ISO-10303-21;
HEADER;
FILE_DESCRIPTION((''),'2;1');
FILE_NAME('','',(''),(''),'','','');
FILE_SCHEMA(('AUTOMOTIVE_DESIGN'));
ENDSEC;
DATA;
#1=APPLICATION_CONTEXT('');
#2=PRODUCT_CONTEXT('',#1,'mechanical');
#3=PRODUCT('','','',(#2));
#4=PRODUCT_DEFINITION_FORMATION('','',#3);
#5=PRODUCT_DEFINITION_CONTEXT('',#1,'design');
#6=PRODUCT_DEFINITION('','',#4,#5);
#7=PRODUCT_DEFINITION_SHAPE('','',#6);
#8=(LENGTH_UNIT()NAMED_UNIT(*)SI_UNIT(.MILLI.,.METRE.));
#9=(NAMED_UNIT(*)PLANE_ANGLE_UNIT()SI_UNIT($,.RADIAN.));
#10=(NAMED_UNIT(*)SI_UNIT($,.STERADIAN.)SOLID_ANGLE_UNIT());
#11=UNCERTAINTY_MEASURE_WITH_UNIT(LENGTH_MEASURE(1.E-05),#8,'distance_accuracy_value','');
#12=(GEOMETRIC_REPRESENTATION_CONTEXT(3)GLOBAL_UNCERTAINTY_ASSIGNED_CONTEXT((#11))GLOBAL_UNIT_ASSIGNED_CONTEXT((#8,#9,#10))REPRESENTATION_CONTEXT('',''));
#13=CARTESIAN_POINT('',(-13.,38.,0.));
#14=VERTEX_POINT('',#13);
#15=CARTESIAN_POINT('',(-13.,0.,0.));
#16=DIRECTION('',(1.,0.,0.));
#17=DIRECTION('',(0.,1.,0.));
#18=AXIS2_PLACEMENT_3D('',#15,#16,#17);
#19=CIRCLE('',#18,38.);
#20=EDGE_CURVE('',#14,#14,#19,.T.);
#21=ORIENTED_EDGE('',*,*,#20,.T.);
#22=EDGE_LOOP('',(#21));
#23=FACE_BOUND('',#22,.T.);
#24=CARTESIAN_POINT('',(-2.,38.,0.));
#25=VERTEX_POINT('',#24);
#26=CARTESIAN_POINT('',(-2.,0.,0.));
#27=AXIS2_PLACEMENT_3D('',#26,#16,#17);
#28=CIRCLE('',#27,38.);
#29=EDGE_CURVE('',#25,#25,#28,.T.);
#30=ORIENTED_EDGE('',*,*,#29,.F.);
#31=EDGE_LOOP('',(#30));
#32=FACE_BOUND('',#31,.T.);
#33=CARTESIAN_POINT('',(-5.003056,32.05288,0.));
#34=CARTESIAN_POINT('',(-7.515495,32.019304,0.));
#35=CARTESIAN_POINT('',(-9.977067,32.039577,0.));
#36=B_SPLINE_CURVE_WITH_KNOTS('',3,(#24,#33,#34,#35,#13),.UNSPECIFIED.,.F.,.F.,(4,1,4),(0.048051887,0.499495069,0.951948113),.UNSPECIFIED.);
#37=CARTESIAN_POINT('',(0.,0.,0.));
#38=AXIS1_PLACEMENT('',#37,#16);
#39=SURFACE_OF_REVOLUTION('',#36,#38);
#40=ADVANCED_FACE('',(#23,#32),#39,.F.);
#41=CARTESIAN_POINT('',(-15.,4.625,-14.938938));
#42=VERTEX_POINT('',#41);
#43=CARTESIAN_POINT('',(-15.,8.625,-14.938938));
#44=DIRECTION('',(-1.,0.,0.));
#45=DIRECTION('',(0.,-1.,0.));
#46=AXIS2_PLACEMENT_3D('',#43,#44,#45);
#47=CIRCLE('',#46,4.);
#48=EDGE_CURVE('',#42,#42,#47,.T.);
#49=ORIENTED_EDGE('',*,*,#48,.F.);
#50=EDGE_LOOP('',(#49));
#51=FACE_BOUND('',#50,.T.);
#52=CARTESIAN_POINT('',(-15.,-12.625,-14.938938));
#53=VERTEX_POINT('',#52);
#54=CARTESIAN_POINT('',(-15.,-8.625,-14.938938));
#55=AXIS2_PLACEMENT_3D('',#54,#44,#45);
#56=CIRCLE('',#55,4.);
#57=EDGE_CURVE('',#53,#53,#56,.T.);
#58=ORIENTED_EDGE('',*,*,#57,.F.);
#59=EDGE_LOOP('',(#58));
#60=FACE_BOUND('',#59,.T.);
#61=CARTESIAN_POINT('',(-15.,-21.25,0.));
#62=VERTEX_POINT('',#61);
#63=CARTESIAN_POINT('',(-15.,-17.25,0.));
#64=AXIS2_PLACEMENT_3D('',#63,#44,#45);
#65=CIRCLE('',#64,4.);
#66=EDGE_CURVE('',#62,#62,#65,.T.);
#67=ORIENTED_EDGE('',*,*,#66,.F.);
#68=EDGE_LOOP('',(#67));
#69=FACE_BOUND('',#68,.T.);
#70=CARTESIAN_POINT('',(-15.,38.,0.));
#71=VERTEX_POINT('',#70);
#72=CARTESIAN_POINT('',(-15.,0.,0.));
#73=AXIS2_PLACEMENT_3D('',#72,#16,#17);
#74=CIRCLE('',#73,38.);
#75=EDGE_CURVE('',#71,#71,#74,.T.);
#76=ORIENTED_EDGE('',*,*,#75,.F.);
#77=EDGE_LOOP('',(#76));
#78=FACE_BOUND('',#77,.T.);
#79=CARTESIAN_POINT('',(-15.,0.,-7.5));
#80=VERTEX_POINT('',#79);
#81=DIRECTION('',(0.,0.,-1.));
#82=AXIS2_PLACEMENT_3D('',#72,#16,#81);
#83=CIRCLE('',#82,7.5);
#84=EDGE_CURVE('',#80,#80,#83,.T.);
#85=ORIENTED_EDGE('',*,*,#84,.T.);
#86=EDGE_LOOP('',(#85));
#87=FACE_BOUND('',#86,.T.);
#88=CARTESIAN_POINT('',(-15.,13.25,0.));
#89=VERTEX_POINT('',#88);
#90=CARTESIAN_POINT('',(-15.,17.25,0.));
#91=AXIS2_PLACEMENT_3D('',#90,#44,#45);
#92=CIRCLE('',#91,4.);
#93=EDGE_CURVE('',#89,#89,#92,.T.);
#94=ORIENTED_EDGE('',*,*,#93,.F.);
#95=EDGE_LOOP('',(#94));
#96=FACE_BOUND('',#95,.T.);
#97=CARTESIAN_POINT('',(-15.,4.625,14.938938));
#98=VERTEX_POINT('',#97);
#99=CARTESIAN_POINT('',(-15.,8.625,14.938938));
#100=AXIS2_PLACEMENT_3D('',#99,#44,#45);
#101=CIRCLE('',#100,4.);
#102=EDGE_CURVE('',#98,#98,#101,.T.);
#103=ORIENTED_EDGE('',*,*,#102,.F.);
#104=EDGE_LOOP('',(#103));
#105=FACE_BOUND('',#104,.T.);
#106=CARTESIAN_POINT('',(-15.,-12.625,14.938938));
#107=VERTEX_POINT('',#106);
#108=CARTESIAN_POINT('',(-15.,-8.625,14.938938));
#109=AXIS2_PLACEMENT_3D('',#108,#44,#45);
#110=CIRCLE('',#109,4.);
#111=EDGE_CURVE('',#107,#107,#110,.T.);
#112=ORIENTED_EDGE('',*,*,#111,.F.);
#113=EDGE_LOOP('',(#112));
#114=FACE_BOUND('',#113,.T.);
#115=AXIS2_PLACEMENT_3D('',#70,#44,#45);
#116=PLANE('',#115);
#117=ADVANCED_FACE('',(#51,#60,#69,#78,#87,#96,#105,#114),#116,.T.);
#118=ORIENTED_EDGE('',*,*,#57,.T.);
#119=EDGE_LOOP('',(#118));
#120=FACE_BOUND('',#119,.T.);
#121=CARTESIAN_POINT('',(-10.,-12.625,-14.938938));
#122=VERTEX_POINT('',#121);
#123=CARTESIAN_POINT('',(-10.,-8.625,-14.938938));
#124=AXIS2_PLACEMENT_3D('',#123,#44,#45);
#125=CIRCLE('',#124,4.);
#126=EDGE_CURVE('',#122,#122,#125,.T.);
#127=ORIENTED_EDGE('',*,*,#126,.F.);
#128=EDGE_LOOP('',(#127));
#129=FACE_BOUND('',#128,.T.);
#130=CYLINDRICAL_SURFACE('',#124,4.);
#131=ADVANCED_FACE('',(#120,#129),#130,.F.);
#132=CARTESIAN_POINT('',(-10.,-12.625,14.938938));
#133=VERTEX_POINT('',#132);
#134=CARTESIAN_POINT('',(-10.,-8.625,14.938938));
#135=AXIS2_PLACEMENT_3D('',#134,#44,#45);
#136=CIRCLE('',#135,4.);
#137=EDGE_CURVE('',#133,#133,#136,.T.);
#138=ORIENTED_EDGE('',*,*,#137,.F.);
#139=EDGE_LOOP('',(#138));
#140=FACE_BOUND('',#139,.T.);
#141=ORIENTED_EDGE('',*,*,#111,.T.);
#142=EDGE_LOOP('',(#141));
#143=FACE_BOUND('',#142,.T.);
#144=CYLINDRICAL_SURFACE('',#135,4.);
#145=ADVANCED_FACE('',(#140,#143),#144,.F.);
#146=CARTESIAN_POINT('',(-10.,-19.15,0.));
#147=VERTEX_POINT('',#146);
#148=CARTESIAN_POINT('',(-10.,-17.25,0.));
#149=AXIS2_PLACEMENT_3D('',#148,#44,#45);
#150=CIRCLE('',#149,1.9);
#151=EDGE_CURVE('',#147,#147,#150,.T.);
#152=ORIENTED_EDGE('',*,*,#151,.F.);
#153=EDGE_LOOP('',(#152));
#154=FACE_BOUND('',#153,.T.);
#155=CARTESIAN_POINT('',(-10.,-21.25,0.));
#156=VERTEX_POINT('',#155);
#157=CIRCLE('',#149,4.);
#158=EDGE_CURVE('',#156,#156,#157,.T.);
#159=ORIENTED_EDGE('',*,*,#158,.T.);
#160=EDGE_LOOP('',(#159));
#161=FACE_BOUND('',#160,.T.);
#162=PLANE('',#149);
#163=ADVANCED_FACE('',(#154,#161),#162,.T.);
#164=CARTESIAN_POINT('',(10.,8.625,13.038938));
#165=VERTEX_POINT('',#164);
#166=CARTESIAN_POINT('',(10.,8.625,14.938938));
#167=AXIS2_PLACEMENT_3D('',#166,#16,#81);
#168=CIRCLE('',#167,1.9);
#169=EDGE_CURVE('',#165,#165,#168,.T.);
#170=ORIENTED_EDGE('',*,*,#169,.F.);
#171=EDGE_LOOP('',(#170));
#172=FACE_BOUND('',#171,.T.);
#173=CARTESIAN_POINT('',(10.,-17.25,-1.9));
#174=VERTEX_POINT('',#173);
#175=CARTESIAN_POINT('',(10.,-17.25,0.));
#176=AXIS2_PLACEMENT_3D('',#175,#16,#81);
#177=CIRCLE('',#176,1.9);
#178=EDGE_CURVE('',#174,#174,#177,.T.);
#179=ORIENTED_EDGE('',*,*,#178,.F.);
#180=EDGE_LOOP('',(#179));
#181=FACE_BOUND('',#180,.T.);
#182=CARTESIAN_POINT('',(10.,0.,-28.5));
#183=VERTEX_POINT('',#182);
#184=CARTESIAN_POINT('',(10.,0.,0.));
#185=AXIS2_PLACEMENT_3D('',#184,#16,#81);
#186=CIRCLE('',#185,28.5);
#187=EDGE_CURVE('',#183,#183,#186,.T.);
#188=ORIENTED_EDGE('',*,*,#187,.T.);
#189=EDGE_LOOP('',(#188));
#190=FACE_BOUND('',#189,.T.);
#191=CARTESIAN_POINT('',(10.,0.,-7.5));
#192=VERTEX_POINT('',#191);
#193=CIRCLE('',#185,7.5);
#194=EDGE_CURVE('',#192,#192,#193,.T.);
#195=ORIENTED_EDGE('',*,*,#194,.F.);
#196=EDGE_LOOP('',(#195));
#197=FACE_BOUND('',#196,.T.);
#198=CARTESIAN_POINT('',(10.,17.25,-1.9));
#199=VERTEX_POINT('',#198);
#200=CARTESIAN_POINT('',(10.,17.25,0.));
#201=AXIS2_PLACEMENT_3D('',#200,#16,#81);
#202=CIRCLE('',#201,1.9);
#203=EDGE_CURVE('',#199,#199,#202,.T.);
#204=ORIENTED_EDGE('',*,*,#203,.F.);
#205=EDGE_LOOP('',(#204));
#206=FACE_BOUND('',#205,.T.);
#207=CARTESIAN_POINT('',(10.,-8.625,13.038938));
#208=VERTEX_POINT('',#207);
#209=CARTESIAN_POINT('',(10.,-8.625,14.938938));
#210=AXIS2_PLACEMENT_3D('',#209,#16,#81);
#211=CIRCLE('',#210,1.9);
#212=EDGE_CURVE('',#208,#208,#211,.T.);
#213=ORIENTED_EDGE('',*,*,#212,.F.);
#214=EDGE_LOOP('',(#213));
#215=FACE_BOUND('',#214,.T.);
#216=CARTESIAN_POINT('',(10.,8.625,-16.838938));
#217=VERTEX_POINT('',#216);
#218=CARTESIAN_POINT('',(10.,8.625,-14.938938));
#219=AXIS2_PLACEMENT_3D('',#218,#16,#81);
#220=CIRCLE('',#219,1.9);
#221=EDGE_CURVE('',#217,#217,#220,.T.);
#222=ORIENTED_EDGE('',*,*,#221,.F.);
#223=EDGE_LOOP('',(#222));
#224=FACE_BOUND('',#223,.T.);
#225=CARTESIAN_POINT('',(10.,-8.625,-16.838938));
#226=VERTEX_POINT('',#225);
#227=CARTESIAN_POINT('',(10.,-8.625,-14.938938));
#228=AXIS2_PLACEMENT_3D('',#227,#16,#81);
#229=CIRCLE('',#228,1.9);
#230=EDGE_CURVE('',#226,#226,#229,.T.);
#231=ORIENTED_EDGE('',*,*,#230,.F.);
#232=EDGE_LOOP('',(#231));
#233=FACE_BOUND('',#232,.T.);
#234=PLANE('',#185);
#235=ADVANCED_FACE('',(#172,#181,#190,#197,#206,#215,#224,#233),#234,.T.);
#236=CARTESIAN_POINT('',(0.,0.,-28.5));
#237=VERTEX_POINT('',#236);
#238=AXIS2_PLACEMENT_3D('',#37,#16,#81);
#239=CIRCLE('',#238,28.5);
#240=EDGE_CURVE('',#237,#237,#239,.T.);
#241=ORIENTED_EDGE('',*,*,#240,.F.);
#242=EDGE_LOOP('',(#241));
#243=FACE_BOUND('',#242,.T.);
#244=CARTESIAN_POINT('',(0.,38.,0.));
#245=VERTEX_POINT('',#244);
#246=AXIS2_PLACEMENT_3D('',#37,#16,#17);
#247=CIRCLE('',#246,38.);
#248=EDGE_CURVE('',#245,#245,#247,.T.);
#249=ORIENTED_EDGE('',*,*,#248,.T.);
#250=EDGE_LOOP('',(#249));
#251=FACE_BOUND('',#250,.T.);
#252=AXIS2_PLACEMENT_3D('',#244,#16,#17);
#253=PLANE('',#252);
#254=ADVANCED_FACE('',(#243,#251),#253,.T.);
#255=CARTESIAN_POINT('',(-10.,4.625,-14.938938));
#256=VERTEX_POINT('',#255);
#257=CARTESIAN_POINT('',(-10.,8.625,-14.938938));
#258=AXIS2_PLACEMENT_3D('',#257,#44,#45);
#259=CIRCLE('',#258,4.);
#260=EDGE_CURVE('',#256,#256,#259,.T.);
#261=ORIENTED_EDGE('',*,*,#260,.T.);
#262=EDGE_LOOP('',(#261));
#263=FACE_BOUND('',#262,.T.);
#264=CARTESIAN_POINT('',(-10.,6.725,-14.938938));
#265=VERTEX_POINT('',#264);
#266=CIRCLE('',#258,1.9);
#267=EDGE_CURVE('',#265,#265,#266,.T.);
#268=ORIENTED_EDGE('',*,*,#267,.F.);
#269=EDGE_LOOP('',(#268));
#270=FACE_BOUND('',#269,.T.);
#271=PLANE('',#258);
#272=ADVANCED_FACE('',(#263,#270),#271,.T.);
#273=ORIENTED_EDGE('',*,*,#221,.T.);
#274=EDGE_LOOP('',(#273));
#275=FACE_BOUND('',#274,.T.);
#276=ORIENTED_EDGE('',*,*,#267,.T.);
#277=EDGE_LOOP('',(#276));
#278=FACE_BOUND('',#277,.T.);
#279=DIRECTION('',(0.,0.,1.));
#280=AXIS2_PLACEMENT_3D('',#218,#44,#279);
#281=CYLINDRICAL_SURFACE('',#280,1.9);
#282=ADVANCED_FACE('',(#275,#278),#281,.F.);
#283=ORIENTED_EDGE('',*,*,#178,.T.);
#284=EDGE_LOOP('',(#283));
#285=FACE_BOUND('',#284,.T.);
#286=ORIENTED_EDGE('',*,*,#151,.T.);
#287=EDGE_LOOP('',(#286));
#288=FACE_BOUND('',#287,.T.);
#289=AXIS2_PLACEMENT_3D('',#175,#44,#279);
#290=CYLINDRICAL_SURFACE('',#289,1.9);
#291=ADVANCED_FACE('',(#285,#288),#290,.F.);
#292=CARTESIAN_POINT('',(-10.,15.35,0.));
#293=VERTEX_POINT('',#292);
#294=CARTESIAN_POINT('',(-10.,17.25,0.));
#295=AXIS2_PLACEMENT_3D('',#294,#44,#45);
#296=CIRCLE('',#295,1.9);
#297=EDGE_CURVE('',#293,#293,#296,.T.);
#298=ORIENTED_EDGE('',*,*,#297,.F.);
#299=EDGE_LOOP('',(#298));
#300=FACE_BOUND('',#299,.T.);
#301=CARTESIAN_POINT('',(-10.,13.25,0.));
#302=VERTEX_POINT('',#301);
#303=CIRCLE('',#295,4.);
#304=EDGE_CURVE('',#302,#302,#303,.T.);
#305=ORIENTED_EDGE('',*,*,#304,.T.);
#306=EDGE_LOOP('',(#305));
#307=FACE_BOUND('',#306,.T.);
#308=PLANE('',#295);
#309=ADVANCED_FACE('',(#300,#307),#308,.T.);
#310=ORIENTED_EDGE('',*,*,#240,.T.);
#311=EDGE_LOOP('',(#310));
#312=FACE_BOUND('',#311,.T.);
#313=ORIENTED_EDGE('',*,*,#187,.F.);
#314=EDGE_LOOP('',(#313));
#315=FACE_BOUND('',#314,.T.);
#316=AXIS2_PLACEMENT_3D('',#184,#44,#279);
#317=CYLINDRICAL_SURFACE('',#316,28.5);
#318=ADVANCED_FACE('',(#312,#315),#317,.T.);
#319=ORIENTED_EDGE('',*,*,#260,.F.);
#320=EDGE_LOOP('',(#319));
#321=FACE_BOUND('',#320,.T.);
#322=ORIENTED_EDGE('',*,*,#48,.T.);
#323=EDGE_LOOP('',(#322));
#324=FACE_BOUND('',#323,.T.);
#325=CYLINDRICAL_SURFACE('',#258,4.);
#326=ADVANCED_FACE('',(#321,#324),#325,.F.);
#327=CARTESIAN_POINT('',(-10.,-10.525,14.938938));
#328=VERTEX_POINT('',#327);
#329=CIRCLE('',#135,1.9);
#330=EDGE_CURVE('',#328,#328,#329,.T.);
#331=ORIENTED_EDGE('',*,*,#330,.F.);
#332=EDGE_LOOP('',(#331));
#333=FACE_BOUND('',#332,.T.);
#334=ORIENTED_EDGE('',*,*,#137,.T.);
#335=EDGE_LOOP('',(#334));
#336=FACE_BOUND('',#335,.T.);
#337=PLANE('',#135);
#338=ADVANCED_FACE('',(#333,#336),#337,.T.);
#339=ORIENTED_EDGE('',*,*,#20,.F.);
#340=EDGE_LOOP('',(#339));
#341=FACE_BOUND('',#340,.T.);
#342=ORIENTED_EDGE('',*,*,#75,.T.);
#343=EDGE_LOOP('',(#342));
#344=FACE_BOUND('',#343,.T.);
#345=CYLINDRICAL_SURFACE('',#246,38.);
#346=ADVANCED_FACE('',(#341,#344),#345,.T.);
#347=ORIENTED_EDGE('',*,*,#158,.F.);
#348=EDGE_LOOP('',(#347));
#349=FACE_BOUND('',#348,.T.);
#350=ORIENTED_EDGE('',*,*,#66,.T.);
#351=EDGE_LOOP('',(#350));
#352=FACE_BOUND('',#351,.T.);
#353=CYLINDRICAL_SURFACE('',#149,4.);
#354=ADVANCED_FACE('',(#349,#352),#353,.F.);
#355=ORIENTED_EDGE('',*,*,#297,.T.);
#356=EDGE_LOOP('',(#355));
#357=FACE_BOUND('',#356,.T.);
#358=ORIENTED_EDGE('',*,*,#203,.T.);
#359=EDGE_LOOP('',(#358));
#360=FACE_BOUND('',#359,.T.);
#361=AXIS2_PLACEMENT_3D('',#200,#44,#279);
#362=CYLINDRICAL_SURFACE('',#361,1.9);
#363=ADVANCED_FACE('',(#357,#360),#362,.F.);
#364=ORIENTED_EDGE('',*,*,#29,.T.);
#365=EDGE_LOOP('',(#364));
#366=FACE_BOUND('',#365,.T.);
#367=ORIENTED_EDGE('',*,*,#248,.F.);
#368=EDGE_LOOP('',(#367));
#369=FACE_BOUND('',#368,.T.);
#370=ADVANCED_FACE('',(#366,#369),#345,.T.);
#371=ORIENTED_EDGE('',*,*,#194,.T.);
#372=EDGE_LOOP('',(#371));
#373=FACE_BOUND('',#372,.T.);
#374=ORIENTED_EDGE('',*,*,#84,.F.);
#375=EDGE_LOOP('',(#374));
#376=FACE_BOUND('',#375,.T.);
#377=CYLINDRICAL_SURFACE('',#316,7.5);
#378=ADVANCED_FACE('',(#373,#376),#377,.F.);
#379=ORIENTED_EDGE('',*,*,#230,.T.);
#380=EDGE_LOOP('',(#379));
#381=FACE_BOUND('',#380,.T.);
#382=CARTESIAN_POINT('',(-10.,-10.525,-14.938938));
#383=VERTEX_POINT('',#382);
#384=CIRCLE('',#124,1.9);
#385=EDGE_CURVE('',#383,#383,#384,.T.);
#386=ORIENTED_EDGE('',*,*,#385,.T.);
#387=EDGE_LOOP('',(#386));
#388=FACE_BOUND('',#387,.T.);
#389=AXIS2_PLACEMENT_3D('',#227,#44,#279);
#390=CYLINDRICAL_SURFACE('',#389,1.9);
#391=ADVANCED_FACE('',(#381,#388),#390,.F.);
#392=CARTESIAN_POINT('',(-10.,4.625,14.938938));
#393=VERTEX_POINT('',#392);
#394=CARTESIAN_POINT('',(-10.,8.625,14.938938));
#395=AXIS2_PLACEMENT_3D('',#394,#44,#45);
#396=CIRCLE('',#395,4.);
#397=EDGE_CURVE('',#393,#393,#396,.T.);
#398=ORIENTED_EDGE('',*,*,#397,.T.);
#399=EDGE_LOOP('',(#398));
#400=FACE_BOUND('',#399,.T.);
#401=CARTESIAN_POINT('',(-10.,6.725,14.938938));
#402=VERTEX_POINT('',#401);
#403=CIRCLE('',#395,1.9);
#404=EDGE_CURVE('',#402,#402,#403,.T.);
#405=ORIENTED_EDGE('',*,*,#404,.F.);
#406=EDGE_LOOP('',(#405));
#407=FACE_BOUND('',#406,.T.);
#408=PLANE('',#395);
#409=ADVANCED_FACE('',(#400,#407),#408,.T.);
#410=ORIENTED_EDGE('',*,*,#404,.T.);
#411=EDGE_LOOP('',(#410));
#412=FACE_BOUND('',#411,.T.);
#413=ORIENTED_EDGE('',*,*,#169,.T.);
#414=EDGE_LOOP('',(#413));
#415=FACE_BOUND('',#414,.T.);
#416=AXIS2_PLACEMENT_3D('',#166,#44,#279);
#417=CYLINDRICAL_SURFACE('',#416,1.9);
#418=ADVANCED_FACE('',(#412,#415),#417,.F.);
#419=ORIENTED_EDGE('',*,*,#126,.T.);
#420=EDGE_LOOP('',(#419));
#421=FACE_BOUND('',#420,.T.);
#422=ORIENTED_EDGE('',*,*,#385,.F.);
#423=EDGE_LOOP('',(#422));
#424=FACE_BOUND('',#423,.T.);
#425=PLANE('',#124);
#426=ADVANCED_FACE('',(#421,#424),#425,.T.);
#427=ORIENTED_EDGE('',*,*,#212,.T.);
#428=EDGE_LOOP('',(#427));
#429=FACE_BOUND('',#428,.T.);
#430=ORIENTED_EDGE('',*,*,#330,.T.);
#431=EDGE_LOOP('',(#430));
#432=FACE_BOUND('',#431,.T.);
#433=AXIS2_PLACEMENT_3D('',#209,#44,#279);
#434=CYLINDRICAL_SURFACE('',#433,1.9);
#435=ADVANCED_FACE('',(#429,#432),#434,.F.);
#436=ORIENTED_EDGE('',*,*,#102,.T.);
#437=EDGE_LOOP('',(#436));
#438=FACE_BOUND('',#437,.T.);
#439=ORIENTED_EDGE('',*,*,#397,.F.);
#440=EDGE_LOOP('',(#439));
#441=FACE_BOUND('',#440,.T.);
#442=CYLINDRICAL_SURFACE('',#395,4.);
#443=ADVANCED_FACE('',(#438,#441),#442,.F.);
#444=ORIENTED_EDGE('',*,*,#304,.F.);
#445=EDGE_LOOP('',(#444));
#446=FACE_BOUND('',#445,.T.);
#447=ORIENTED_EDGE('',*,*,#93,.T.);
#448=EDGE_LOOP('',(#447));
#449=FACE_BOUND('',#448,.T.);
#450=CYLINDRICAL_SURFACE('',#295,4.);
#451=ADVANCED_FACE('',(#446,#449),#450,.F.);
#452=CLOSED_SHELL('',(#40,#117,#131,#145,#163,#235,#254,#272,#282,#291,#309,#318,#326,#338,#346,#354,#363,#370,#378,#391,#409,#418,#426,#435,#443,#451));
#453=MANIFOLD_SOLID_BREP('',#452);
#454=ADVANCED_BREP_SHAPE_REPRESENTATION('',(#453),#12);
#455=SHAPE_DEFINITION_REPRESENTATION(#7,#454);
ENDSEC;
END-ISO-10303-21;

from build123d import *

# Parameters (mm, degrees)
SKETCH_1_R         = 28.5
SKETCH_1_R_2       = 1.9
SKETCH_1_R_3       = 7.5
EXTRUDE_1_DEPTH    = 10
SKETCH3_R          = 1.9
SKETCH3_R_2        = 7.5
CUT_EXTRUDE1_DEPTH = 60.270566179
SKETCH4_R          = 4
CUT_EXTRUDE2_DEPTH = 5


with BuildPart() as part:
    # 草图1 → 凸台-拉伸1 (new body)
    with BuildSketch(Plane(origin=(0, 0, 0), x_dir=(0, 0, -1), z_dir=(1, 0, 0))):
        Circle(SKETCH_1_R)
        with Locations((0, 17.25)):
            Circle(SKETCH_1_R_2, mode=Mode.SUBTRACT)
        with Locations((14.938938215, 8.625)):
            Circle(SKETCH_1_R_2, mode=Mode.SUBTRACT)
        with Locations((14.938938215, -8.625)):
            Circle(SKETCH_1_R_2, mode=Mode.SUBTRACT)
        with Locations((0, -17.25)):
            Circle(SKETCH_1_R_2, mode=Mode.SUBTRACT)
        with Locations((-14.938938215, -8.625)):
            Circle(SKETCH_1_R_2, mode=Mode.SUBTRACT)
        with Locations((-14.938938215, 8.625)):
            Circle(SKETCH_1_R_2, mode=Mode.SUBTRACT)
        Circle(SKETCH_1_R_3, mode=Mode.SUBTRACT)
    extrude(amount=EXTRUDE_1_DEPTH)

    # Sketch2 → Revolve1 (revolve)
    with BuildSketch(Plane.XY):
        with BuildLine():
            Line((0, 0), (-15, 0))
            Line((-15, 0), (-15, 38))
            Line((-15, 38), (-13, 38))
            add(Edge.make_bspline(
                [(-13, 38), (-9.977066976, 32.039576737), (-7.515495422, 32.019303811), (-5.003056497, 32.052880233), (-2, 38)],
                knots=[0.048051887, 0.048051887, 0.048051887, 0.048051887, 0.500504931, 0.951948113, 0.951948113, 0.951948113, 0.951948113], degree=3))
            Line((-2, 38), (0, 38))
            Line((0, 38), (0, 0))
        make_face()
    revolve(axis=Axis((0, 0, 0), (-1, 0, 0)))

    # Sketch3 → Cut-Extrude1 (cut, through all)
    with BuildSketch(Plane(origin=(10, 0, 0), x_dir=(0, 0, -1), z_dir=(1, 0, 0))):
        with Locations((14.938938215, 8.625)):
            Circle(SKETCH3_R)
        with Locations((14.938938215, -8.625)):
            Circle(SKETCH3_R)
        with Locations((0, -17.25)):
            Circle(SKETCH3_R)
        with Locations((-14.938938215, -8.625)):
            Circle(SKETCH3_R)
        with Locations((0, 17.25)):
            Circle(SKETCH3_R)
        with Locations((-14.938938215, 8.625)):
            Circle(SKETCH3_R)
        Circle(SKETCH3_R_2)
    extrude(amount=-CUT_EXTRUDE1_DEPTH, mode=Mode.SUBTRACT)

    # Sketch4 → Cut-Extrude2 (cut)
    with BuildSketch(Plane.ZY.offset(15)):
        with Locations(Location((14.938938215, 8.625, 0), (0, 0, 270))):
            Circle(SKETCH4_R)
        with Locations(Location((14.938938215, -8.625, 0), (0, 0, 270))):
            Circle(SKETCH4_R)
        with Locations(Location((0, -17.25, 0), (0, 0, 270))):
            Circle(SKETCH4_R)
        with Locations(Location((-14.938938215, -8.625, 0), (0, 0, 270))):
            Circle(SKETCH4_R)
        with Locations(Location((-14.938938215, 8.625, 0), (0, 0, 270))):
            Circle(SKETCH4_R)
        with Locations(Location((0, 17.25, 0), (0, 0, 270))):
            Circle(SKETCH4_R)
    extrude(amount=-CUT_EXTRUDE2_DEPTH, mode=Mode.SUBTRACT)


solid = part.part
